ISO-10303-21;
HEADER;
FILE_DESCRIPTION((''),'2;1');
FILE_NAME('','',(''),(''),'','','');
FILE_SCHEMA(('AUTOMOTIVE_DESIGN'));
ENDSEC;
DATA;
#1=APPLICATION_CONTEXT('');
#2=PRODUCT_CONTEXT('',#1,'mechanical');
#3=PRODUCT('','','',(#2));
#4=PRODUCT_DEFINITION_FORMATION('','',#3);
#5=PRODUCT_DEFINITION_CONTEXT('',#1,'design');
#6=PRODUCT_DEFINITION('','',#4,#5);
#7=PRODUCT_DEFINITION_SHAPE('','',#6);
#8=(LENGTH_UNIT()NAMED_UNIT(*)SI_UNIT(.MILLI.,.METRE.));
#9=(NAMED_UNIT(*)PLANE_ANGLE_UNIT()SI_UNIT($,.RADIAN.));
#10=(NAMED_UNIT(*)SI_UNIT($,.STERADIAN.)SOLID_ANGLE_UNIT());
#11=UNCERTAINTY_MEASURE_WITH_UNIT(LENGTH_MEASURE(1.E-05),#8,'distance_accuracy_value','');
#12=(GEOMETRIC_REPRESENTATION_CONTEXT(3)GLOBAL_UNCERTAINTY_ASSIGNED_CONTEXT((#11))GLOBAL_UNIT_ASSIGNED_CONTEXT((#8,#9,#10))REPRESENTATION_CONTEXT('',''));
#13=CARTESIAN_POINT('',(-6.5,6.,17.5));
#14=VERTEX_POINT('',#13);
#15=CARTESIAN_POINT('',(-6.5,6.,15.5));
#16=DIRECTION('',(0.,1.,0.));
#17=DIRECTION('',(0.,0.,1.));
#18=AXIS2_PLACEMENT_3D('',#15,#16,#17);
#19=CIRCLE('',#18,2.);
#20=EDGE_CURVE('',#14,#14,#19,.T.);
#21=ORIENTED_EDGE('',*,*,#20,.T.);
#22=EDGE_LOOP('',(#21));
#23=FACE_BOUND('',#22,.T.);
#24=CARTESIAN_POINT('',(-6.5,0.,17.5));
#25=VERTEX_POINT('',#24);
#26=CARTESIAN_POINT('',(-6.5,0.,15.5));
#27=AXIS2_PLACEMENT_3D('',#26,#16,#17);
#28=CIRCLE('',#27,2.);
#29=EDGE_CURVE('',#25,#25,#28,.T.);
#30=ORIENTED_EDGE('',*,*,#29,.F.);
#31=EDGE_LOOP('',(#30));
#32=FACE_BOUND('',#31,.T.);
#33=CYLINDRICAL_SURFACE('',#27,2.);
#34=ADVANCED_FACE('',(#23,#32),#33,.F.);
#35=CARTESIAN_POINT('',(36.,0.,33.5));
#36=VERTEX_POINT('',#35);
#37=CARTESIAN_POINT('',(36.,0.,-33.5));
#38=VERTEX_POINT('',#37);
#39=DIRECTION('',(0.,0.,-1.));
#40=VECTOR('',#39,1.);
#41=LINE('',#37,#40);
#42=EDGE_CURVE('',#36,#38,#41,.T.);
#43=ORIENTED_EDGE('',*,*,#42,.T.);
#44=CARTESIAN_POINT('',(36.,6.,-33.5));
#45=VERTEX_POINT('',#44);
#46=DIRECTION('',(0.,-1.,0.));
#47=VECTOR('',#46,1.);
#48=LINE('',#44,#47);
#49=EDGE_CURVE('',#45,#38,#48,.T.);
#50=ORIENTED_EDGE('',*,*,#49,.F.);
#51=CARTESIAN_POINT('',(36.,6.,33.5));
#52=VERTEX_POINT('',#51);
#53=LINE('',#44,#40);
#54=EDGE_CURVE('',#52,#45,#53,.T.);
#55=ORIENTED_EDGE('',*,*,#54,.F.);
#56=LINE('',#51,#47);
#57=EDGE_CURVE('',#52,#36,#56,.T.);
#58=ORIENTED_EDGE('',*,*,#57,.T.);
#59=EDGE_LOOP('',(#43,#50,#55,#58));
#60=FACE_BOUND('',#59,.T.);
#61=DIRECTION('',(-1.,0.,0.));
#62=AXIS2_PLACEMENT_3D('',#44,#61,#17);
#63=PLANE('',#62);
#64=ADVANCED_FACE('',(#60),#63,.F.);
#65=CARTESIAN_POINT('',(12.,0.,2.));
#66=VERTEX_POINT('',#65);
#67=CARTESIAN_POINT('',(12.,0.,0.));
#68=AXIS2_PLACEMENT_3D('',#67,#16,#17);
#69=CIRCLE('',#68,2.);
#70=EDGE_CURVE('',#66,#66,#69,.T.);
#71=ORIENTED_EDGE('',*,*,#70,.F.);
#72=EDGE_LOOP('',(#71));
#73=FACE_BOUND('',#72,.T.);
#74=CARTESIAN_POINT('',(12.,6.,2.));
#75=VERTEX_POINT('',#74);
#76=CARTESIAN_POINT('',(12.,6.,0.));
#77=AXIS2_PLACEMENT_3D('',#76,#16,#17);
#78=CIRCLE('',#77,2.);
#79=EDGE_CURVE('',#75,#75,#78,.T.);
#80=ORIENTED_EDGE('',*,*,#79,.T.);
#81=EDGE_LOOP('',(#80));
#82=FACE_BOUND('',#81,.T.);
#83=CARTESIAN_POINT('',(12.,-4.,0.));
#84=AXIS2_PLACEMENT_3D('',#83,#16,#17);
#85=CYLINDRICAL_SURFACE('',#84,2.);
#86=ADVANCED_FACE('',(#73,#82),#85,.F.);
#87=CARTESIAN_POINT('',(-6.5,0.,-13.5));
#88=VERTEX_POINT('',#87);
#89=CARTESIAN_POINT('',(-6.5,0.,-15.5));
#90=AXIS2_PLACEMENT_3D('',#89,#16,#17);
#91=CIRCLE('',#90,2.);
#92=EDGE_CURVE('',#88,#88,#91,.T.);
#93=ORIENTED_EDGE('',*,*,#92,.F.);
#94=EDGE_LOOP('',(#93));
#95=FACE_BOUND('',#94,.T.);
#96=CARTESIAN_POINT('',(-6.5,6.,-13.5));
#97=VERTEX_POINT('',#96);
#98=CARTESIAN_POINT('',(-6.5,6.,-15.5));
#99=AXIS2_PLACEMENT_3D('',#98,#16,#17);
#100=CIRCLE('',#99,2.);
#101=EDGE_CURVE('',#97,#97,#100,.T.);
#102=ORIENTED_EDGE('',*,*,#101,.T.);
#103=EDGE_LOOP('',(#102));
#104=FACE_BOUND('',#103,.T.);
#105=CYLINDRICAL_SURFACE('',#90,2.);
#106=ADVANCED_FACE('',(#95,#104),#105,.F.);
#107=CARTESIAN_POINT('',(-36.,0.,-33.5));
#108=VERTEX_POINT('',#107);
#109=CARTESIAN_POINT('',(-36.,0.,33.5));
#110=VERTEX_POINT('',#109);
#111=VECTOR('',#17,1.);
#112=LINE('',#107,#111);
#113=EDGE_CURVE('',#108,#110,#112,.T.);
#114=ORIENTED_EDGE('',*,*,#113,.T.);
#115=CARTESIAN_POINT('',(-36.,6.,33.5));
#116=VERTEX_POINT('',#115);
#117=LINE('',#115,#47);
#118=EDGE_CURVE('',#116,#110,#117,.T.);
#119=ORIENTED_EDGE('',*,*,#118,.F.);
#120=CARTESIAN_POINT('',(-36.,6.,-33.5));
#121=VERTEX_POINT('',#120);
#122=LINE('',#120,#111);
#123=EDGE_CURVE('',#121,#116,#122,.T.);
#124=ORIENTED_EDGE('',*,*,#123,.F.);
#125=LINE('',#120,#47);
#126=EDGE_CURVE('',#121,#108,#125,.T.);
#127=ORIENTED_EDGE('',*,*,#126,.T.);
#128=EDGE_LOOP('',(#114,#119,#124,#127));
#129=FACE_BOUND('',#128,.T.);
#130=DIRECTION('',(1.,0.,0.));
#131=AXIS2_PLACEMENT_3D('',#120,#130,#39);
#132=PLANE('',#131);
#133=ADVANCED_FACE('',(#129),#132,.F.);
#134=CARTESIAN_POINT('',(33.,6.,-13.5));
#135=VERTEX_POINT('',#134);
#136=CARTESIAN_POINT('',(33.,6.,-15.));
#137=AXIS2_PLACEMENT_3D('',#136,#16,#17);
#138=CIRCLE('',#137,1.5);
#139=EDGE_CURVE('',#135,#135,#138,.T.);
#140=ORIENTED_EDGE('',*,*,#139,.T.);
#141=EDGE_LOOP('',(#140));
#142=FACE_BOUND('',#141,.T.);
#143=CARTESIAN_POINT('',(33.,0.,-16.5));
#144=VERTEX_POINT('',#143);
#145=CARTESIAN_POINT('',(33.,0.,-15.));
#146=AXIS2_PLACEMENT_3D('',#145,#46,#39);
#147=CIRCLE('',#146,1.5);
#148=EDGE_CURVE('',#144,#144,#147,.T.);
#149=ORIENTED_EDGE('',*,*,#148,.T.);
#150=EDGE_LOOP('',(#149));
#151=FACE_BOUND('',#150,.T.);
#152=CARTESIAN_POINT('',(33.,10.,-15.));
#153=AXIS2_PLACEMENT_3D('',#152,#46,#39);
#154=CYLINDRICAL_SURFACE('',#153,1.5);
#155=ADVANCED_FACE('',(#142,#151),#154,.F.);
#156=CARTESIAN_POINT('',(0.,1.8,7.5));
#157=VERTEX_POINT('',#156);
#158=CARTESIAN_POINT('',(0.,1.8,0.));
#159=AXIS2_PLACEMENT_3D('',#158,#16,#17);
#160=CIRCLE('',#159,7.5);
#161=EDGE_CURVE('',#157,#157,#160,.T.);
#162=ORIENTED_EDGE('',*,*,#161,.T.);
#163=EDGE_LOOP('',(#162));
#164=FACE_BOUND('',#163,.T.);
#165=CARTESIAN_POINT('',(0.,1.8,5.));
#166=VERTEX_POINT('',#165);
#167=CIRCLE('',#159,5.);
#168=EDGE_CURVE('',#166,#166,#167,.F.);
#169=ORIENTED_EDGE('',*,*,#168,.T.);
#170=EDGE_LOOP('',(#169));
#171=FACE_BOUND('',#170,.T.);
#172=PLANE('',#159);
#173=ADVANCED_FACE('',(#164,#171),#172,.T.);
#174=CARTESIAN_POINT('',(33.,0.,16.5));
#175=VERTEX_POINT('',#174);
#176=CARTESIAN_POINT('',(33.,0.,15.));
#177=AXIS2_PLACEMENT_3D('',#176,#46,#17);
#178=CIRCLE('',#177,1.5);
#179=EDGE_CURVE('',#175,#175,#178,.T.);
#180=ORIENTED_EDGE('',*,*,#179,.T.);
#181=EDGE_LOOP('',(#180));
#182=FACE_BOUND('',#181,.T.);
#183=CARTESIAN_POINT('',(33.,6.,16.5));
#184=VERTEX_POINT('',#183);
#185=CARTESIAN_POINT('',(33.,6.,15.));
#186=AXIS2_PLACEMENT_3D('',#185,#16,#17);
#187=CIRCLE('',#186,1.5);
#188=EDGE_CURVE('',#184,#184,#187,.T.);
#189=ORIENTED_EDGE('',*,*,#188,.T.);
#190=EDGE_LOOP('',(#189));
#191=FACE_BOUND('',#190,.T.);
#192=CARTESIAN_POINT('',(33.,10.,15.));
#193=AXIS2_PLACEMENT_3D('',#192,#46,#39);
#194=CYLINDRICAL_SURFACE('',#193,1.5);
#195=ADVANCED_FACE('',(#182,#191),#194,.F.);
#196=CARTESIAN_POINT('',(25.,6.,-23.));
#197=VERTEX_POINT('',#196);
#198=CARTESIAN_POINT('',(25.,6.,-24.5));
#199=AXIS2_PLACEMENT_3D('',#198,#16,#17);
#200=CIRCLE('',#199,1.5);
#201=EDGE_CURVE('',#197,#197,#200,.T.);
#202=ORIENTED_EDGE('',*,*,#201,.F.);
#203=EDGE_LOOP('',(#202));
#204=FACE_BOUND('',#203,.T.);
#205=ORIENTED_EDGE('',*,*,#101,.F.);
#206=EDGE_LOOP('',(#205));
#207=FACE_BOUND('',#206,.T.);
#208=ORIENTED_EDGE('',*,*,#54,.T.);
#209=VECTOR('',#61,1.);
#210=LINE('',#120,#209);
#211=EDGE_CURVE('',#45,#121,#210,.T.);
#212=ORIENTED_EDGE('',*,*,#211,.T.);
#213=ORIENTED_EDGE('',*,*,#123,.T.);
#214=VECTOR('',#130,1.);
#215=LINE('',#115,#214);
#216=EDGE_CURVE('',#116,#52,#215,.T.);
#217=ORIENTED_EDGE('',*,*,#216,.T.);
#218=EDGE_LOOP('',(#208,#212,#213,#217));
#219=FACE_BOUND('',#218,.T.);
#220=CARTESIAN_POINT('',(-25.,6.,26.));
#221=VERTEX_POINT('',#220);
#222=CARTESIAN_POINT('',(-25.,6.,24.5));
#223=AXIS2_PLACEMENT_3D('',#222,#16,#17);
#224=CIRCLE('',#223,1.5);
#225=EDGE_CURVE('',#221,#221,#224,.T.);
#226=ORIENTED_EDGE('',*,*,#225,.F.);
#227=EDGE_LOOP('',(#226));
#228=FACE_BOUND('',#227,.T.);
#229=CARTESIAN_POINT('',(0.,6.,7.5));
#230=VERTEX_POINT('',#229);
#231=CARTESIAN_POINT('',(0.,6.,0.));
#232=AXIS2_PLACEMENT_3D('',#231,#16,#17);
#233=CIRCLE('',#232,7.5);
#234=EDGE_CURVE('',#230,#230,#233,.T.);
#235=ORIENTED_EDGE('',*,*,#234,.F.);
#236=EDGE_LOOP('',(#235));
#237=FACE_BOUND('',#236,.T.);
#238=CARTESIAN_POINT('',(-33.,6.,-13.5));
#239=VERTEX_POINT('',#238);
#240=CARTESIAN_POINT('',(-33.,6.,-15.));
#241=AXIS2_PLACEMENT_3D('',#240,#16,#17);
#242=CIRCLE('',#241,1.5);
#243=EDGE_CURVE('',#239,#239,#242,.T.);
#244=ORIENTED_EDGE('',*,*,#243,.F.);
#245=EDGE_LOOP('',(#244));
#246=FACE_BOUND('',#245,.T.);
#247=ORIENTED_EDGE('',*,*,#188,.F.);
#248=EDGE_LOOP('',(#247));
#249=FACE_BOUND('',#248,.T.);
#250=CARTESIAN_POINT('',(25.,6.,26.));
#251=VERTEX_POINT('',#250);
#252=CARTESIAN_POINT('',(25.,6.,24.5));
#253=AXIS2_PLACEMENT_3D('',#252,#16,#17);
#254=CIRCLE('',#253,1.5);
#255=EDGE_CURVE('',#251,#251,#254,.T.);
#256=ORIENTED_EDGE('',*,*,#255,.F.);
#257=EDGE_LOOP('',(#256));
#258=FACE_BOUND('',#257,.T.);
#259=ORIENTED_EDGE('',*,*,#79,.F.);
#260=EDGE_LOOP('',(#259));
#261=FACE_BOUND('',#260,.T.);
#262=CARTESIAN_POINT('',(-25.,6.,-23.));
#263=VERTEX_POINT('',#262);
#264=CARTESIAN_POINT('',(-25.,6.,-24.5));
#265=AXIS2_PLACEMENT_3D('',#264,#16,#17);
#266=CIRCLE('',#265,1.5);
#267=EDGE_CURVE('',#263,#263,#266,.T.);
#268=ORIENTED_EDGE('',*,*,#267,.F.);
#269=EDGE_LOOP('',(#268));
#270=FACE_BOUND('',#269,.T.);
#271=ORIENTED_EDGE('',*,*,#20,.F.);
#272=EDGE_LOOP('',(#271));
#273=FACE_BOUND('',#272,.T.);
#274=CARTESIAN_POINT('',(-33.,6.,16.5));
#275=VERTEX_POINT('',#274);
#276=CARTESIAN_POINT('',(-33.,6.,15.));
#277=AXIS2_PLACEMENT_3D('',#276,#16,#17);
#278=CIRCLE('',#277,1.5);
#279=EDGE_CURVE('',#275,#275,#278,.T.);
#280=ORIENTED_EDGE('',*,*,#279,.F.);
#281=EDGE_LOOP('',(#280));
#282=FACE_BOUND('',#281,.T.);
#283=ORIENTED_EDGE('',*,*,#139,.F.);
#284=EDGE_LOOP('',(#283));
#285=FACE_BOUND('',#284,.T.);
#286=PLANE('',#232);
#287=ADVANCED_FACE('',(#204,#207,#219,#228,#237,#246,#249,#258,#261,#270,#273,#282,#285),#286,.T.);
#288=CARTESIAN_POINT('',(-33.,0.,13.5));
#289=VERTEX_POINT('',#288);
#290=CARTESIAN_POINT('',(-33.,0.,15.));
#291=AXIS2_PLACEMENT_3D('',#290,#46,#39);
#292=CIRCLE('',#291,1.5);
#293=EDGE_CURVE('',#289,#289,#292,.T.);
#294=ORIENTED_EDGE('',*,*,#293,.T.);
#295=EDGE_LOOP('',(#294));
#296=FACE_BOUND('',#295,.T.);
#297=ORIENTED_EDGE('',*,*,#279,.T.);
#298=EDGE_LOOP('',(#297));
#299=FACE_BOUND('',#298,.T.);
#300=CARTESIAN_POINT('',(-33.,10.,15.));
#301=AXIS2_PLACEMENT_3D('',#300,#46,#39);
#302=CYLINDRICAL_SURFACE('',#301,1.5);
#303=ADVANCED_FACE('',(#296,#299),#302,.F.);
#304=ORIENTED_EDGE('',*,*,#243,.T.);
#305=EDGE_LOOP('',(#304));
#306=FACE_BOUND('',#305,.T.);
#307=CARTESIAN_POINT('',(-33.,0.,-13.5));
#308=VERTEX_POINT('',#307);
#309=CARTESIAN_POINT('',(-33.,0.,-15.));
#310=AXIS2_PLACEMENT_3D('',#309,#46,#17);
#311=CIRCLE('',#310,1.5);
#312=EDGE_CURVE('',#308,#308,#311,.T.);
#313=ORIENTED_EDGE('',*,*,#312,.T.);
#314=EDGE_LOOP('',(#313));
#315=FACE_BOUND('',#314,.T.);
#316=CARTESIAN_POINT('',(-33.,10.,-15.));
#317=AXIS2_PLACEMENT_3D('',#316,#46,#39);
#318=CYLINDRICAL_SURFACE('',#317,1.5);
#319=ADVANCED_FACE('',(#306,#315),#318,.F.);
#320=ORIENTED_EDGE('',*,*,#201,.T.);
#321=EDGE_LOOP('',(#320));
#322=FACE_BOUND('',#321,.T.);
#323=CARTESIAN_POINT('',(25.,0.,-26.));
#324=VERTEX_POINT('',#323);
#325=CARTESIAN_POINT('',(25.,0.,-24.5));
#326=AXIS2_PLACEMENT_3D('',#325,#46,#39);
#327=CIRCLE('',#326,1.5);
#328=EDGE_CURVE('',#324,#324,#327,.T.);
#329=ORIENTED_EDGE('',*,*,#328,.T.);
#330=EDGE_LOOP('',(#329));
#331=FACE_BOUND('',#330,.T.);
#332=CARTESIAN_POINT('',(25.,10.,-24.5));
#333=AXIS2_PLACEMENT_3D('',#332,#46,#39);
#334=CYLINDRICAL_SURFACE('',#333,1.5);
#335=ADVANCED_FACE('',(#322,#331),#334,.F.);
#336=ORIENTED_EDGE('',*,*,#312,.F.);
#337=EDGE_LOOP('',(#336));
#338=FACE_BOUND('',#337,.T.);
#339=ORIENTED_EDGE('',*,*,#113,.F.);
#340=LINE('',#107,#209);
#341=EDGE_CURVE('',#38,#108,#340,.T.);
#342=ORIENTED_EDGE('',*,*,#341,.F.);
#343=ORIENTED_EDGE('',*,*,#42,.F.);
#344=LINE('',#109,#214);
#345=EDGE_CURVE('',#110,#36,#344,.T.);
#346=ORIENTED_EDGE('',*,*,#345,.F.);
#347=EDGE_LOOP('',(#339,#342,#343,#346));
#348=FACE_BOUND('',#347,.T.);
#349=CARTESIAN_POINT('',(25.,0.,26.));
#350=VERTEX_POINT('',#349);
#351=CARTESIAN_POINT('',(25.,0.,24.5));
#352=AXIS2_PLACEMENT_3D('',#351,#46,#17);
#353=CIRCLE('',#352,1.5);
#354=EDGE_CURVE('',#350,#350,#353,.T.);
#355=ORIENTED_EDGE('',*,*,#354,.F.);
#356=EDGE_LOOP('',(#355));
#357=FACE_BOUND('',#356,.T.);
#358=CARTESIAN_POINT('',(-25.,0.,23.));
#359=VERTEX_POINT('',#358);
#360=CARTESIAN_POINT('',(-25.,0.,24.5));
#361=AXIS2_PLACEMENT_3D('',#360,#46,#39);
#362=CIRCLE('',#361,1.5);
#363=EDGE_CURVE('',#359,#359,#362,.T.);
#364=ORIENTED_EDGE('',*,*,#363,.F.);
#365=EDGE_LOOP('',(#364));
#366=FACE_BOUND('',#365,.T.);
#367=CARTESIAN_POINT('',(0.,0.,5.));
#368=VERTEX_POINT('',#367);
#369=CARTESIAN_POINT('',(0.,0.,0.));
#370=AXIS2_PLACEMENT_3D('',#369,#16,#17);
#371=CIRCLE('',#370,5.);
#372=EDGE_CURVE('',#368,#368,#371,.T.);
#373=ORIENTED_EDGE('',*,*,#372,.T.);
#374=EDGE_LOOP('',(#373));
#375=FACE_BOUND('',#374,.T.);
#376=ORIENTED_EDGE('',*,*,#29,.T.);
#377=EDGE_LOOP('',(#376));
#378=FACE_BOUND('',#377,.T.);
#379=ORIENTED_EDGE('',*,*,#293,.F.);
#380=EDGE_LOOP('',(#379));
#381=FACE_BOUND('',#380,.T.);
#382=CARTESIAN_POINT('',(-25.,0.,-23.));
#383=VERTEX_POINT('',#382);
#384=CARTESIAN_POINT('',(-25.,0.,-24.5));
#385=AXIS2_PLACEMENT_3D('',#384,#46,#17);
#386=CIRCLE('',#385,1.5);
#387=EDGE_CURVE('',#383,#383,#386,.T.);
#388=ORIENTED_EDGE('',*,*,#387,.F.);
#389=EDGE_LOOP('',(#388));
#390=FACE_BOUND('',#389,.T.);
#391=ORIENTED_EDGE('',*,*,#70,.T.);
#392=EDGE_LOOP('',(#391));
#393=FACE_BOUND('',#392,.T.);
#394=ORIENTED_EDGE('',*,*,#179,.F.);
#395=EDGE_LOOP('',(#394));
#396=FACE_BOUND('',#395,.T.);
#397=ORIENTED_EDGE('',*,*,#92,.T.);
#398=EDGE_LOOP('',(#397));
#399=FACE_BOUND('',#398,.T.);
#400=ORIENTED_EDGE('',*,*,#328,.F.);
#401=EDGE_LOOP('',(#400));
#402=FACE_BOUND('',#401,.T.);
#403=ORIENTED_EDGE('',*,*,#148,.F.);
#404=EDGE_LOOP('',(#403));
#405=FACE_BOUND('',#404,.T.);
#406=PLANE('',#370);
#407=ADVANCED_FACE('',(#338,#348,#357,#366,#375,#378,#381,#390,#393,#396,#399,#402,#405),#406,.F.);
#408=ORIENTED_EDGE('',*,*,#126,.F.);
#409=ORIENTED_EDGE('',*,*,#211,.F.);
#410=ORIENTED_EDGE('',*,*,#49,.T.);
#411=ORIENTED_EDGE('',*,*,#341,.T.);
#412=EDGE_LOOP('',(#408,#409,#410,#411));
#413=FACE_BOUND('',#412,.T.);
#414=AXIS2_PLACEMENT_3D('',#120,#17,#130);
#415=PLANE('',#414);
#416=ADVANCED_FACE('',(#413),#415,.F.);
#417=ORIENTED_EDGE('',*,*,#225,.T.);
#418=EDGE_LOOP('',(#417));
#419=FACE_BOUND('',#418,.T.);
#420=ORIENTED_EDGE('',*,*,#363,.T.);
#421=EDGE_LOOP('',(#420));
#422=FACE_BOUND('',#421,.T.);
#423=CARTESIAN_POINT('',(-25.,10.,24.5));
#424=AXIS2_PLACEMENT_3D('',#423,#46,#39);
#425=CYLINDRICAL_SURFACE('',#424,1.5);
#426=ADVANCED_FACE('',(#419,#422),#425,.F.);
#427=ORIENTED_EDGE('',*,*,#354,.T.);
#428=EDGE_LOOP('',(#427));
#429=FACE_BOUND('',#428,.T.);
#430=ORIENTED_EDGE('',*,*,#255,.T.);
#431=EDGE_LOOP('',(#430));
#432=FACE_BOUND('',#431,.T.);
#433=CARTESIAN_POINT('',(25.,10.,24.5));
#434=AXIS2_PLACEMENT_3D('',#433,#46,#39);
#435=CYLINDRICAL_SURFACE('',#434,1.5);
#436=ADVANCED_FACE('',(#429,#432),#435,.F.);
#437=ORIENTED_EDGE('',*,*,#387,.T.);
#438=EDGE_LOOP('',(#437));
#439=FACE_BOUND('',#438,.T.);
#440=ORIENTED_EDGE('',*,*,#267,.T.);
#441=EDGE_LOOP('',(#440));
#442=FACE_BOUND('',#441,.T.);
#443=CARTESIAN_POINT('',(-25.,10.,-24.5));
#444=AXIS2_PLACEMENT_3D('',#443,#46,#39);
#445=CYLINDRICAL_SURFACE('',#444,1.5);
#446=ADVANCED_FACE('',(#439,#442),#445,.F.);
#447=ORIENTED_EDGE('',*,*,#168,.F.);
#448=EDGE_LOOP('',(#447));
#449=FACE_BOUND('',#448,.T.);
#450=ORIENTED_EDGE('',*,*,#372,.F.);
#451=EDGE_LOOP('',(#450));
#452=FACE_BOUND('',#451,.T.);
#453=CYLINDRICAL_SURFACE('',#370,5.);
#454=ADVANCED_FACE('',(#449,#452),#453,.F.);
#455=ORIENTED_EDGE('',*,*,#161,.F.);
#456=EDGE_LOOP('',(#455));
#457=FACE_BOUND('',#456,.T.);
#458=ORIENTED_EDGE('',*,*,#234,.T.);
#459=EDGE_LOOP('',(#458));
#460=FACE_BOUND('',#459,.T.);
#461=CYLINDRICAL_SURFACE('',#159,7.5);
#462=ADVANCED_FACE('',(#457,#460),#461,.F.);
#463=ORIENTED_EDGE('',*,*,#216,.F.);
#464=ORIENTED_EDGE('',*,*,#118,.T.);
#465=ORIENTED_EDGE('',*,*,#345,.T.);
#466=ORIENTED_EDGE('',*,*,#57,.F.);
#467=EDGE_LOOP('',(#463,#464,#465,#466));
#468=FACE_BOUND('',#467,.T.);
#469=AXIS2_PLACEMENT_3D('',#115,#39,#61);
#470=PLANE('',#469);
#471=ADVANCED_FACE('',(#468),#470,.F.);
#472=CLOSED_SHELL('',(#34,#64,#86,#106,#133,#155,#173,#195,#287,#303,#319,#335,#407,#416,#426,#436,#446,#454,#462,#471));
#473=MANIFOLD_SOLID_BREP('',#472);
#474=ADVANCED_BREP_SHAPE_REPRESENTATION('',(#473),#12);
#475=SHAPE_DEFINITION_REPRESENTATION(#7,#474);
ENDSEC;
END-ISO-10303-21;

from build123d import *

# Parameters (mm, degrees)
SKETCH1_W           = 72
SKETCH1_H           = 67
BOSS_EXTRUDE1_DEPTH = 6
SKETCH2_R           = 5
SKETCH2_R_2         = 2
CUT_EXTRUDE1_DEPTH  = 6
SKETCH3_R           = 7.5
CUT_EXTRUDE2_DEPTH  = 4.2
SKETCH5_R           = 2
CUT_EXTRUDE3_DEPTH  = 10
SKETCH6_R           = 1.5
CUT_EXTRUDE4_DEPTH  = 10


with BuildPart() as part:
    # Sketch1 → Boss-Extrude1 (new body)
    with BuildSketch(Plane(origin=(0, 0, 0), x_dir=(1, 0, 0), z_dir=(0, 1, 0))):
        Rectangle(SKETCH1_W, SKETCH1_H)
    extrude(amount=BOSS_EXTRUDE1_DEPTH)

    # Sketch2 → Cut-Extrude1 (cut)
    with BuildSketch(Plane(origin=(0, 6, 0), x_dir=(1, 0, 0), z_dir=(0, 1, 0))):
        with Locations(Location((0, 0, 0), (0, 0, 270))):
            Circle(SKETCH2_R)
        with Locations(Location((-6.5, 15.5, 0), (0, 0, 270))):
            Circle(SKETCH2_R_2)
        with Locations(Location((-6.5, -15.5, 0), (0, 0, 270))):
            Circle(SKETCH2_R_2)
    extrude(amount=-CUT_EXTRUDE1_DEPTH, mode=Mode.SUBTRACT)

    # Sketch3 → Cut-Extrude2 (cut)
    with BuildSketch(Plane(origin=(0, 6, 0), x_dir=(1, 0, 0), z_dir=(0, 1, 0))):
        with Locations(Location((0, 0, 0), (0, 0, 270))):
            Circle(SKETCH3_R)
    extrude(amount=-CUT_EXTRUDE2_DEPTH, mode=Mode.SUBTRACT)

    # Sketch5 → Cut-Extrude3 (cut)
    with BuildSketch(Plane(origin=(0, 6, 0), x_dir=(1, 0, 0), z_dir=(0, 1, 0))):
        with Locations(Location((12, 0, 0), (0, 0, 270))):
            Circle(SKETCH5_R)
    extrude(amount=-CUT_EXTRUDE3_DEPTH, mode=Mode.SUBTRACT)

    # Sketch6 → Cut-Extrude4 (cut)
    with BuildSketch(Plane.XZ):
        with Locations(Location((-25, 24.5, 0), (0, 0, 270))):
            Circle(SKETCH6_R)
        with Locations(Location((25, 24.5, 0), (0, 0, 90))):
            Circle(SKETCH6_R)
        with Locations(Location((-33, 15, 0), (0, 0, 270))):
            Circle(SKETCH6_R)
        with Locations(Location((33, 15, 0), (0, 0, 90))):
            Circle(SKETCH6_R)
        with Locations(Location((33, -15, 0), (0, 0, 270))):
            Circle(SKETCH6_R)
        with Locations(Location((-33, -15, 0), (0, 0, 90))):
            Circle(SKETCH6_R)
        with Locations(Location((25, -24.5, 0), (0, 0, 270))):
            Circle(SKETCH6_R)
        with Locations(Location((-25, -24.5, 0), (0, 0, 90))):
            Circle(SKETCH6_R)
    extrude(amount=-CUT_EXTRUDE4_DEPTH, mode=Mode.SUBTRACT)


solid = part.part
